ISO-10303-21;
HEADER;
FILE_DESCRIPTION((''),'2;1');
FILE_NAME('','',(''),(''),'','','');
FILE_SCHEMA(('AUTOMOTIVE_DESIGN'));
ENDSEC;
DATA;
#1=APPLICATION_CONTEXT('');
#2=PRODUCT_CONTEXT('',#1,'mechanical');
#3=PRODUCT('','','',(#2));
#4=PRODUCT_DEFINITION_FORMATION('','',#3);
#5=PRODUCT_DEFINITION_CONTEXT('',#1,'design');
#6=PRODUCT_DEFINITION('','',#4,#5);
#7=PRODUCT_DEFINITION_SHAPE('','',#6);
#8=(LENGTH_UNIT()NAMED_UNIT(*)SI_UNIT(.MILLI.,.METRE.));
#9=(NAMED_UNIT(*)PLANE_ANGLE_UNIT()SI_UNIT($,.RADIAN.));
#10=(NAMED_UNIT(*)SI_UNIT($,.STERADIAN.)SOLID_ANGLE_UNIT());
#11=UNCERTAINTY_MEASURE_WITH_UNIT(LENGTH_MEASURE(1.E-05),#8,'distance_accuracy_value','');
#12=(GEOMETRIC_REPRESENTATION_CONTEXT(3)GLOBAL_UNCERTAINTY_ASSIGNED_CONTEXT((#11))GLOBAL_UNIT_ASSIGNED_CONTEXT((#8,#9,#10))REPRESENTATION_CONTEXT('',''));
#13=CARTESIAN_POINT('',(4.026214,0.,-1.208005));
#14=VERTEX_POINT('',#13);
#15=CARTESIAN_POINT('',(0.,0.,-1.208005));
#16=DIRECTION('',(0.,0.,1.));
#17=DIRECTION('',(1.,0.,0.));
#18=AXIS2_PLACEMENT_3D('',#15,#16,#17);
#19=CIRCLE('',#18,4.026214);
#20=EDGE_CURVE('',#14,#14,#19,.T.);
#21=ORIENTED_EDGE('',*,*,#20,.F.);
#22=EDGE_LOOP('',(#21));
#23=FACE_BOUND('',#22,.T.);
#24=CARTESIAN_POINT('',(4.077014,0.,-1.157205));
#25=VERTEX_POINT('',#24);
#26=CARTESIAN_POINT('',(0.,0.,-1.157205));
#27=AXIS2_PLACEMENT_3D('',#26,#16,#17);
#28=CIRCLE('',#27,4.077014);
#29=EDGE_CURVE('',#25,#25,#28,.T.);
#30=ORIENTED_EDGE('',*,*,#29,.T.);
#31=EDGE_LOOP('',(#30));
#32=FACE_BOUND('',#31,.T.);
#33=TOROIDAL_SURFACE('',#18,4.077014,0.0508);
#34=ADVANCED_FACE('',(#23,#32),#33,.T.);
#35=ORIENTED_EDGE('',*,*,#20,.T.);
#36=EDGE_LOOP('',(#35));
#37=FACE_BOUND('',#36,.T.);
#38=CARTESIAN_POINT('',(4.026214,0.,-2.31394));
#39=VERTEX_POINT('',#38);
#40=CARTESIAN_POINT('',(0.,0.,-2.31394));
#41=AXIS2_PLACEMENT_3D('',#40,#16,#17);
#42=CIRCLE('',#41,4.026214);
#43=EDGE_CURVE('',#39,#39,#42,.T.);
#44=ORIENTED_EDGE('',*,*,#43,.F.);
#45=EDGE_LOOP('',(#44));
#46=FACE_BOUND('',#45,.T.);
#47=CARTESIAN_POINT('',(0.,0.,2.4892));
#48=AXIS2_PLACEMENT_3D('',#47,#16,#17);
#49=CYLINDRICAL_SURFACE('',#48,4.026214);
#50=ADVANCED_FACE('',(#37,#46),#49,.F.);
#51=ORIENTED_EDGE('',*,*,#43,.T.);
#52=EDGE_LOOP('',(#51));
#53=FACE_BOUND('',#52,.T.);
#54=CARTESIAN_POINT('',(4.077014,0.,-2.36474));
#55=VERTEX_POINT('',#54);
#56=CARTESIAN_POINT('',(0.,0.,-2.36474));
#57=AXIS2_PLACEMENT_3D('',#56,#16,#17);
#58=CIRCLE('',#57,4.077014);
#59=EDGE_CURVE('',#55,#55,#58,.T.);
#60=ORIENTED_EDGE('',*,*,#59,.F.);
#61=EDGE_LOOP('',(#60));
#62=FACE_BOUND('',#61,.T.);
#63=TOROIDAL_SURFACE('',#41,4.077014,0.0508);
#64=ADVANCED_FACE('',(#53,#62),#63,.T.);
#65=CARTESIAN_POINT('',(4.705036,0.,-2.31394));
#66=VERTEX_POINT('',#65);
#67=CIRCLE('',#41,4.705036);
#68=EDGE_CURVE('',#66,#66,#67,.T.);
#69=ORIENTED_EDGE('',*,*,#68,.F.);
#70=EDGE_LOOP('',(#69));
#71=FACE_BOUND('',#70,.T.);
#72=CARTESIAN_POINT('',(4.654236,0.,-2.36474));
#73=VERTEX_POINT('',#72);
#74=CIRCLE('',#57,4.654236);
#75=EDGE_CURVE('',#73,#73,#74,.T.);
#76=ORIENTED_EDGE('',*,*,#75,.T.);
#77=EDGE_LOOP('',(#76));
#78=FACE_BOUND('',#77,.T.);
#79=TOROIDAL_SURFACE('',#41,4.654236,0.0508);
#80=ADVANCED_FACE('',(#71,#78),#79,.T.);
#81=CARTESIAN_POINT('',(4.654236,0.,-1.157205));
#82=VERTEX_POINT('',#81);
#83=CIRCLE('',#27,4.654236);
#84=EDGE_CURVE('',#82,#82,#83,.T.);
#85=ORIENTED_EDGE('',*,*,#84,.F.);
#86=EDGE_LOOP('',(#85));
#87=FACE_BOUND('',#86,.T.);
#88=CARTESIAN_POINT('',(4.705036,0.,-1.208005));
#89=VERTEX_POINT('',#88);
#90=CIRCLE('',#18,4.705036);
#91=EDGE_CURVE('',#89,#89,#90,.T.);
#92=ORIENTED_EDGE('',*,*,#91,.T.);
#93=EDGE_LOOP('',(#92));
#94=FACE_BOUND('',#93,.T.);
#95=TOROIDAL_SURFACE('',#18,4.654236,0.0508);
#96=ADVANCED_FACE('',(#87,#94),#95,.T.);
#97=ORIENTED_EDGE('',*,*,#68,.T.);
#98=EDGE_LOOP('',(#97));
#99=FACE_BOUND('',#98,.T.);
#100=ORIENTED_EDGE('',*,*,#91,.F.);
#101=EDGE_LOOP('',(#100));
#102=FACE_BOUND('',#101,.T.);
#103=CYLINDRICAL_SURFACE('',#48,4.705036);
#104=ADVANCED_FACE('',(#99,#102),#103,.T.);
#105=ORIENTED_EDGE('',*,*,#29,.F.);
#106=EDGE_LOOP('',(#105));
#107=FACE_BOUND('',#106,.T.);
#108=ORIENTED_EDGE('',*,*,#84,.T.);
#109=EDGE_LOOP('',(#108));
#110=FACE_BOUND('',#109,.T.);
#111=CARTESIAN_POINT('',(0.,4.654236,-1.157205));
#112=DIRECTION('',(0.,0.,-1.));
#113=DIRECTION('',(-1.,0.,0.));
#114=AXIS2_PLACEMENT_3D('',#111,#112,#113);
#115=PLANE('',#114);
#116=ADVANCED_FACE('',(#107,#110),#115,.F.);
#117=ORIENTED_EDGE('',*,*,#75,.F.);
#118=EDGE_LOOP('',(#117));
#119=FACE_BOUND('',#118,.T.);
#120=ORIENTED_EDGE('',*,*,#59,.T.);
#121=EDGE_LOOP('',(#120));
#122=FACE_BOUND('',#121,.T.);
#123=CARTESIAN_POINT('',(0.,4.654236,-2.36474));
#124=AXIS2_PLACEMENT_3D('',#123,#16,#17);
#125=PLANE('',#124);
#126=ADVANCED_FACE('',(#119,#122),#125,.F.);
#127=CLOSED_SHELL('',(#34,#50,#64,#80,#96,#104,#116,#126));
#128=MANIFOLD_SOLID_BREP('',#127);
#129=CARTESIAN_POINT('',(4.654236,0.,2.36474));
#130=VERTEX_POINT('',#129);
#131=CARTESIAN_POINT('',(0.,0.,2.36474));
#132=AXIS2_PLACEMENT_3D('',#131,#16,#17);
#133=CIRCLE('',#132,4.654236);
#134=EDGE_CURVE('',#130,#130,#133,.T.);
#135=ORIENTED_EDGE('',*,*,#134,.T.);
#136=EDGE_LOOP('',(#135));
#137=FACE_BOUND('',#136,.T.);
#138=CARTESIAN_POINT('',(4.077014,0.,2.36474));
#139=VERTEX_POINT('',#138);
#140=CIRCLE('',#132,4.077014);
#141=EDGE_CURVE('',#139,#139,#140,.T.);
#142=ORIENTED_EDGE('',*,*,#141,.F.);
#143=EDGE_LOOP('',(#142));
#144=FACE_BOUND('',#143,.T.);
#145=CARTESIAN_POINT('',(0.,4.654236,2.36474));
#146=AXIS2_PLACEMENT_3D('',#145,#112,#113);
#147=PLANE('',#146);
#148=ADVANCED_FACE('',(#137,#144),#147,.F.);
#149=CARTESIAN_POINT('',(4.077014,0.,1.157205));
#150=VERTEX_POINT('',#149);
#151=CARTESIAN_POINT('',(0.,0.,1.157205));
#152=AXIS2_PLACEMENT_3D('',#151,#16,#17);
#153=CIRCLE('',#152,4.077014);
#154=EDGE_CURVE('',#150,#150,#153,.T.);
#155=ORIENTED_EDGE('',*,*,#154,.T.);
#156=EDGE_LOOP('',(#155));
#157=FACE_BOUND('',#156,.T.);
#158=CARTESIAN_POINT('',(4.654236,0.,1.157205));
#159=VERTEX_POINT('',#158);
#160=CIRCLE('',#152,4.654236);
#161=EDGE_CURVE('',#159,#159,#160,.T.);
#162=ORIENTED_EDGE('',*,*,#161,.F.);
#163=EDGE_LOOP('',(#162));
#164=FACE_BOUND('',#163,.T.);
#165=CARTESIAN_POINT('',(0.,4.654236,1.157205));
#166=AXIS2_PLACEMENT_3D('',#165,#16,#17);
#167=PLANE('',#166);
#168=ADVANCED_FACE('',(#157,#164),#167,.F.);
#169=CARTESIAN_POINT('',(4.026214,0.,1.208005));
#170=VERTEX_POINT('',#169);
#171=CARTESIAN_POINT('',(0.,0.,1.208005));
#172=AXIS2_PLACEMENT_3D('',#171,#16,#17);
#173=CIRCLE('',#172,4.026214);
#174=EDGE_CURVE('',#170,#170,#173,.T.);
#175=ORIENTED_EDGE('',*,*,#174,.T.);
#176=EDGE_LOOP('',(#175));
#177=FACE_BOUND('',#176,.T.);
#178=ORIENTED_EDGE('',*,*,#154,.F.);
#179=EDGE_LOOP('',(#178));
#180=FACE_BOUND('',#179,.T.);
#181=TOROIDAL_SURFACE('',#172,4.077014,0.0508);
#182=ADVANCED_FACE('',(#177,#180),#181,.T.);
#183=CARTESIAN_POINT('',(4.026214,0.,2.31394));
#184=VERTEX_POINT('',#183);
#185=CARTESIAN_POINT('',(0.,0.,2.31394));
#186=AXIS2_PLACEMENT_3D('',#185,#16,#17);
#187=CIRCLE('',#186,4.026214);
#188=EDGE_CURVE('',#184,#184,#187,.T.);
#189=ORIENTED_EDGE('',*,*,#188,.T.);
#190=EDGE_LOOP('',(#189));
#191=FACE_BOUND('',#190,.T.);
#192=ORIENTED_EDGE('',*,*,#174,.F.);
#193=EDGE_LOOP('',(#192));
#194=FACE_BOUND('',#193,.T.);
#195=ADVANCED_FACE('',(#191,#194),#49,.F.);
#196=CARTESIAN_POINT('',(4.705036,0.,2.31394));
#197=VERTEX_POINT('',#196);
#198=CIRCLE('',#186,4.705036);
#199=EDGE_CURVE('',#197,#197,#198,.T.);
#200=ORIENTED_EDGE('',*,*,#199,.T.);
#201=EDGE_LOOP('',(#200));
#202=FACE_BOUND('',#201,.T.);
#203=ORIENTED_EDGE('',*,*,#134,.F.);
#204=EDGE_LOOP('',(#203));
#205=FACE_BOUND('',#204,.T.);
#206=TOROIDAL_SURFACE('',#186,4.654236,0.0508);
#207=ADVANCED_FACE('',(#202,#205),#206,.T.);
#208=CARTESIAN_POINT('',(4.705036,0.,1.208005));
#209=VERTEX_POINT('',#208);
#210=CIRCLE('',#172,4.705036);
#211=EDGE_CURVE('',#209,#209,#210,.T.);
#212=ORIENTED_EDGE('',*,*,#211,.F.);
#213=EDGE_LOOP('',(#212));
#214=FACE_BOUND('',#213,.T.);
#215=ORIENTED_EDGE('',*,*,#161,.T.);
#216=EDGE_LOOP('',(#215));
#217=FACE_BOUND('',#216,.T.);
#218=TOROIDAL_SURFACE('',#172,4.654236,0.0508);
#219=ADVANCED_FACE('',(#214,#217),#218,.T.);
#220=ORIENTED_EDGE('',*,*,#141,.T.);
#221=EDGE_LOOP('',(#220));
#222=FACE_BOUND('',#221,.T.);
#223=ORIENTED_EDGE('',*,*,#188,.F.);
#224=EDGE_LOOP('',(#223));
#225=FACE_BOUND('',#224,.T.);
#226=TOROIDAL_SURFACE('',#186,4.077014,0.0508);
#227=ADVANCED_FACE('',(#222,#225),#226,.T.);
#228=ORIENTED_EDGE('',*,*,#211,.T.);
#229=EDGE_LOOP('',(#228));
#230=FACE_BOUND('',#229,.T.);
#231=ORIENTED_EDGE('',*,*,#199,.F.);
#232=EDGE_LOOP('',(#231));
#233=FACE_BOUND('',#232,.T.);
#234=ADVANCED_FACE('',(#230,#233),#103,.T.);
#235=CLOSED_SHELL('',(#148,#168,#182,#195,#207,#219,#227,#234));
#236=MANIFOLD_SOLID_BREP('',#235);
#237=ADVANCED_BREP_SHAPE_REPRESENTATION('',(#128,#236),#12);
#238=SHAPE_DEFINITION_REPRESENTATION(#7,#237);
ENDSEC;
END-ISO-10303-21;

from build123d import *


with BuildPart() as part:
    # Bearing Shields Revolve Profile → Bearing Shields Revolve (revolve)
    with BuildSketch(Plane(origin=(0, 0, 0), x_dir=(0, 0, -1), z_dir=(1, 0, 0))):
        with BuildLine():
            Line((-2.31394, 4.705035989), (-1.208005295, 4.705035989))
            ThreePointArc((-1.208005295, 4.705035989), (-1.17208427, 4.690157013), (-1.157205295, 4.654235989))
            Line((-1.157205295, 4.654235989), (-1.157205295, 4.077014011))
            ThreePointArc((-1.157205295, 4.077014011), (-1.17208427, 4.041092987), (-1.208005295, 4.026214011))
            Line((-1.208005295, 4.026214011), (-2.31394, 4.026214011))
            ThreePointArc((-2.31394, 4.026214011), (-2.349861024, 4.041092987), (-2.36474, 4.077014011))
            Line((-2.36474, 4.077014011), (-2.36474, 4.654235989))
            ThreePointArc((-2.36474, 4.654235989), (-2.349861024, 4.690157013), (-2.31394, 4.705035989))
        make_face()
        with BuildLine():
            Line((2.31394, 4.705035989), (1.208005295, 4.705035989))
            ThreePointArc((1.208005295, 4.705035989), (1.17208427, 4.690157013), (1.157205295, 4.654235989))
            Line((1.157205295, 4.654235989), (1.157205295, 4.077014011))
            ThreePointArc((1.157205295, 4.077014011), (1.17208427, 4.041092987), (1.208005295, 4.026214011))
            Line((1.208005295, 4.026214011), (2.31394, 4.026214011))
            ThreePointArc((2.31394, 4.026214011), (2.349861024, 4.041092987), (2.36474, 4.077014011))
            Line((2.36474, 4.077014011), (2.36474, 4.654235989))
            ThreePointArc((2.36474, 4.654235989), (2.349861024, 4.690157013), (2.31394, 4.705035989))
        make_face()
    revolve(axis=Axis((0, 0, 2.4892), (0, 0, -1)))


solid = part.part
